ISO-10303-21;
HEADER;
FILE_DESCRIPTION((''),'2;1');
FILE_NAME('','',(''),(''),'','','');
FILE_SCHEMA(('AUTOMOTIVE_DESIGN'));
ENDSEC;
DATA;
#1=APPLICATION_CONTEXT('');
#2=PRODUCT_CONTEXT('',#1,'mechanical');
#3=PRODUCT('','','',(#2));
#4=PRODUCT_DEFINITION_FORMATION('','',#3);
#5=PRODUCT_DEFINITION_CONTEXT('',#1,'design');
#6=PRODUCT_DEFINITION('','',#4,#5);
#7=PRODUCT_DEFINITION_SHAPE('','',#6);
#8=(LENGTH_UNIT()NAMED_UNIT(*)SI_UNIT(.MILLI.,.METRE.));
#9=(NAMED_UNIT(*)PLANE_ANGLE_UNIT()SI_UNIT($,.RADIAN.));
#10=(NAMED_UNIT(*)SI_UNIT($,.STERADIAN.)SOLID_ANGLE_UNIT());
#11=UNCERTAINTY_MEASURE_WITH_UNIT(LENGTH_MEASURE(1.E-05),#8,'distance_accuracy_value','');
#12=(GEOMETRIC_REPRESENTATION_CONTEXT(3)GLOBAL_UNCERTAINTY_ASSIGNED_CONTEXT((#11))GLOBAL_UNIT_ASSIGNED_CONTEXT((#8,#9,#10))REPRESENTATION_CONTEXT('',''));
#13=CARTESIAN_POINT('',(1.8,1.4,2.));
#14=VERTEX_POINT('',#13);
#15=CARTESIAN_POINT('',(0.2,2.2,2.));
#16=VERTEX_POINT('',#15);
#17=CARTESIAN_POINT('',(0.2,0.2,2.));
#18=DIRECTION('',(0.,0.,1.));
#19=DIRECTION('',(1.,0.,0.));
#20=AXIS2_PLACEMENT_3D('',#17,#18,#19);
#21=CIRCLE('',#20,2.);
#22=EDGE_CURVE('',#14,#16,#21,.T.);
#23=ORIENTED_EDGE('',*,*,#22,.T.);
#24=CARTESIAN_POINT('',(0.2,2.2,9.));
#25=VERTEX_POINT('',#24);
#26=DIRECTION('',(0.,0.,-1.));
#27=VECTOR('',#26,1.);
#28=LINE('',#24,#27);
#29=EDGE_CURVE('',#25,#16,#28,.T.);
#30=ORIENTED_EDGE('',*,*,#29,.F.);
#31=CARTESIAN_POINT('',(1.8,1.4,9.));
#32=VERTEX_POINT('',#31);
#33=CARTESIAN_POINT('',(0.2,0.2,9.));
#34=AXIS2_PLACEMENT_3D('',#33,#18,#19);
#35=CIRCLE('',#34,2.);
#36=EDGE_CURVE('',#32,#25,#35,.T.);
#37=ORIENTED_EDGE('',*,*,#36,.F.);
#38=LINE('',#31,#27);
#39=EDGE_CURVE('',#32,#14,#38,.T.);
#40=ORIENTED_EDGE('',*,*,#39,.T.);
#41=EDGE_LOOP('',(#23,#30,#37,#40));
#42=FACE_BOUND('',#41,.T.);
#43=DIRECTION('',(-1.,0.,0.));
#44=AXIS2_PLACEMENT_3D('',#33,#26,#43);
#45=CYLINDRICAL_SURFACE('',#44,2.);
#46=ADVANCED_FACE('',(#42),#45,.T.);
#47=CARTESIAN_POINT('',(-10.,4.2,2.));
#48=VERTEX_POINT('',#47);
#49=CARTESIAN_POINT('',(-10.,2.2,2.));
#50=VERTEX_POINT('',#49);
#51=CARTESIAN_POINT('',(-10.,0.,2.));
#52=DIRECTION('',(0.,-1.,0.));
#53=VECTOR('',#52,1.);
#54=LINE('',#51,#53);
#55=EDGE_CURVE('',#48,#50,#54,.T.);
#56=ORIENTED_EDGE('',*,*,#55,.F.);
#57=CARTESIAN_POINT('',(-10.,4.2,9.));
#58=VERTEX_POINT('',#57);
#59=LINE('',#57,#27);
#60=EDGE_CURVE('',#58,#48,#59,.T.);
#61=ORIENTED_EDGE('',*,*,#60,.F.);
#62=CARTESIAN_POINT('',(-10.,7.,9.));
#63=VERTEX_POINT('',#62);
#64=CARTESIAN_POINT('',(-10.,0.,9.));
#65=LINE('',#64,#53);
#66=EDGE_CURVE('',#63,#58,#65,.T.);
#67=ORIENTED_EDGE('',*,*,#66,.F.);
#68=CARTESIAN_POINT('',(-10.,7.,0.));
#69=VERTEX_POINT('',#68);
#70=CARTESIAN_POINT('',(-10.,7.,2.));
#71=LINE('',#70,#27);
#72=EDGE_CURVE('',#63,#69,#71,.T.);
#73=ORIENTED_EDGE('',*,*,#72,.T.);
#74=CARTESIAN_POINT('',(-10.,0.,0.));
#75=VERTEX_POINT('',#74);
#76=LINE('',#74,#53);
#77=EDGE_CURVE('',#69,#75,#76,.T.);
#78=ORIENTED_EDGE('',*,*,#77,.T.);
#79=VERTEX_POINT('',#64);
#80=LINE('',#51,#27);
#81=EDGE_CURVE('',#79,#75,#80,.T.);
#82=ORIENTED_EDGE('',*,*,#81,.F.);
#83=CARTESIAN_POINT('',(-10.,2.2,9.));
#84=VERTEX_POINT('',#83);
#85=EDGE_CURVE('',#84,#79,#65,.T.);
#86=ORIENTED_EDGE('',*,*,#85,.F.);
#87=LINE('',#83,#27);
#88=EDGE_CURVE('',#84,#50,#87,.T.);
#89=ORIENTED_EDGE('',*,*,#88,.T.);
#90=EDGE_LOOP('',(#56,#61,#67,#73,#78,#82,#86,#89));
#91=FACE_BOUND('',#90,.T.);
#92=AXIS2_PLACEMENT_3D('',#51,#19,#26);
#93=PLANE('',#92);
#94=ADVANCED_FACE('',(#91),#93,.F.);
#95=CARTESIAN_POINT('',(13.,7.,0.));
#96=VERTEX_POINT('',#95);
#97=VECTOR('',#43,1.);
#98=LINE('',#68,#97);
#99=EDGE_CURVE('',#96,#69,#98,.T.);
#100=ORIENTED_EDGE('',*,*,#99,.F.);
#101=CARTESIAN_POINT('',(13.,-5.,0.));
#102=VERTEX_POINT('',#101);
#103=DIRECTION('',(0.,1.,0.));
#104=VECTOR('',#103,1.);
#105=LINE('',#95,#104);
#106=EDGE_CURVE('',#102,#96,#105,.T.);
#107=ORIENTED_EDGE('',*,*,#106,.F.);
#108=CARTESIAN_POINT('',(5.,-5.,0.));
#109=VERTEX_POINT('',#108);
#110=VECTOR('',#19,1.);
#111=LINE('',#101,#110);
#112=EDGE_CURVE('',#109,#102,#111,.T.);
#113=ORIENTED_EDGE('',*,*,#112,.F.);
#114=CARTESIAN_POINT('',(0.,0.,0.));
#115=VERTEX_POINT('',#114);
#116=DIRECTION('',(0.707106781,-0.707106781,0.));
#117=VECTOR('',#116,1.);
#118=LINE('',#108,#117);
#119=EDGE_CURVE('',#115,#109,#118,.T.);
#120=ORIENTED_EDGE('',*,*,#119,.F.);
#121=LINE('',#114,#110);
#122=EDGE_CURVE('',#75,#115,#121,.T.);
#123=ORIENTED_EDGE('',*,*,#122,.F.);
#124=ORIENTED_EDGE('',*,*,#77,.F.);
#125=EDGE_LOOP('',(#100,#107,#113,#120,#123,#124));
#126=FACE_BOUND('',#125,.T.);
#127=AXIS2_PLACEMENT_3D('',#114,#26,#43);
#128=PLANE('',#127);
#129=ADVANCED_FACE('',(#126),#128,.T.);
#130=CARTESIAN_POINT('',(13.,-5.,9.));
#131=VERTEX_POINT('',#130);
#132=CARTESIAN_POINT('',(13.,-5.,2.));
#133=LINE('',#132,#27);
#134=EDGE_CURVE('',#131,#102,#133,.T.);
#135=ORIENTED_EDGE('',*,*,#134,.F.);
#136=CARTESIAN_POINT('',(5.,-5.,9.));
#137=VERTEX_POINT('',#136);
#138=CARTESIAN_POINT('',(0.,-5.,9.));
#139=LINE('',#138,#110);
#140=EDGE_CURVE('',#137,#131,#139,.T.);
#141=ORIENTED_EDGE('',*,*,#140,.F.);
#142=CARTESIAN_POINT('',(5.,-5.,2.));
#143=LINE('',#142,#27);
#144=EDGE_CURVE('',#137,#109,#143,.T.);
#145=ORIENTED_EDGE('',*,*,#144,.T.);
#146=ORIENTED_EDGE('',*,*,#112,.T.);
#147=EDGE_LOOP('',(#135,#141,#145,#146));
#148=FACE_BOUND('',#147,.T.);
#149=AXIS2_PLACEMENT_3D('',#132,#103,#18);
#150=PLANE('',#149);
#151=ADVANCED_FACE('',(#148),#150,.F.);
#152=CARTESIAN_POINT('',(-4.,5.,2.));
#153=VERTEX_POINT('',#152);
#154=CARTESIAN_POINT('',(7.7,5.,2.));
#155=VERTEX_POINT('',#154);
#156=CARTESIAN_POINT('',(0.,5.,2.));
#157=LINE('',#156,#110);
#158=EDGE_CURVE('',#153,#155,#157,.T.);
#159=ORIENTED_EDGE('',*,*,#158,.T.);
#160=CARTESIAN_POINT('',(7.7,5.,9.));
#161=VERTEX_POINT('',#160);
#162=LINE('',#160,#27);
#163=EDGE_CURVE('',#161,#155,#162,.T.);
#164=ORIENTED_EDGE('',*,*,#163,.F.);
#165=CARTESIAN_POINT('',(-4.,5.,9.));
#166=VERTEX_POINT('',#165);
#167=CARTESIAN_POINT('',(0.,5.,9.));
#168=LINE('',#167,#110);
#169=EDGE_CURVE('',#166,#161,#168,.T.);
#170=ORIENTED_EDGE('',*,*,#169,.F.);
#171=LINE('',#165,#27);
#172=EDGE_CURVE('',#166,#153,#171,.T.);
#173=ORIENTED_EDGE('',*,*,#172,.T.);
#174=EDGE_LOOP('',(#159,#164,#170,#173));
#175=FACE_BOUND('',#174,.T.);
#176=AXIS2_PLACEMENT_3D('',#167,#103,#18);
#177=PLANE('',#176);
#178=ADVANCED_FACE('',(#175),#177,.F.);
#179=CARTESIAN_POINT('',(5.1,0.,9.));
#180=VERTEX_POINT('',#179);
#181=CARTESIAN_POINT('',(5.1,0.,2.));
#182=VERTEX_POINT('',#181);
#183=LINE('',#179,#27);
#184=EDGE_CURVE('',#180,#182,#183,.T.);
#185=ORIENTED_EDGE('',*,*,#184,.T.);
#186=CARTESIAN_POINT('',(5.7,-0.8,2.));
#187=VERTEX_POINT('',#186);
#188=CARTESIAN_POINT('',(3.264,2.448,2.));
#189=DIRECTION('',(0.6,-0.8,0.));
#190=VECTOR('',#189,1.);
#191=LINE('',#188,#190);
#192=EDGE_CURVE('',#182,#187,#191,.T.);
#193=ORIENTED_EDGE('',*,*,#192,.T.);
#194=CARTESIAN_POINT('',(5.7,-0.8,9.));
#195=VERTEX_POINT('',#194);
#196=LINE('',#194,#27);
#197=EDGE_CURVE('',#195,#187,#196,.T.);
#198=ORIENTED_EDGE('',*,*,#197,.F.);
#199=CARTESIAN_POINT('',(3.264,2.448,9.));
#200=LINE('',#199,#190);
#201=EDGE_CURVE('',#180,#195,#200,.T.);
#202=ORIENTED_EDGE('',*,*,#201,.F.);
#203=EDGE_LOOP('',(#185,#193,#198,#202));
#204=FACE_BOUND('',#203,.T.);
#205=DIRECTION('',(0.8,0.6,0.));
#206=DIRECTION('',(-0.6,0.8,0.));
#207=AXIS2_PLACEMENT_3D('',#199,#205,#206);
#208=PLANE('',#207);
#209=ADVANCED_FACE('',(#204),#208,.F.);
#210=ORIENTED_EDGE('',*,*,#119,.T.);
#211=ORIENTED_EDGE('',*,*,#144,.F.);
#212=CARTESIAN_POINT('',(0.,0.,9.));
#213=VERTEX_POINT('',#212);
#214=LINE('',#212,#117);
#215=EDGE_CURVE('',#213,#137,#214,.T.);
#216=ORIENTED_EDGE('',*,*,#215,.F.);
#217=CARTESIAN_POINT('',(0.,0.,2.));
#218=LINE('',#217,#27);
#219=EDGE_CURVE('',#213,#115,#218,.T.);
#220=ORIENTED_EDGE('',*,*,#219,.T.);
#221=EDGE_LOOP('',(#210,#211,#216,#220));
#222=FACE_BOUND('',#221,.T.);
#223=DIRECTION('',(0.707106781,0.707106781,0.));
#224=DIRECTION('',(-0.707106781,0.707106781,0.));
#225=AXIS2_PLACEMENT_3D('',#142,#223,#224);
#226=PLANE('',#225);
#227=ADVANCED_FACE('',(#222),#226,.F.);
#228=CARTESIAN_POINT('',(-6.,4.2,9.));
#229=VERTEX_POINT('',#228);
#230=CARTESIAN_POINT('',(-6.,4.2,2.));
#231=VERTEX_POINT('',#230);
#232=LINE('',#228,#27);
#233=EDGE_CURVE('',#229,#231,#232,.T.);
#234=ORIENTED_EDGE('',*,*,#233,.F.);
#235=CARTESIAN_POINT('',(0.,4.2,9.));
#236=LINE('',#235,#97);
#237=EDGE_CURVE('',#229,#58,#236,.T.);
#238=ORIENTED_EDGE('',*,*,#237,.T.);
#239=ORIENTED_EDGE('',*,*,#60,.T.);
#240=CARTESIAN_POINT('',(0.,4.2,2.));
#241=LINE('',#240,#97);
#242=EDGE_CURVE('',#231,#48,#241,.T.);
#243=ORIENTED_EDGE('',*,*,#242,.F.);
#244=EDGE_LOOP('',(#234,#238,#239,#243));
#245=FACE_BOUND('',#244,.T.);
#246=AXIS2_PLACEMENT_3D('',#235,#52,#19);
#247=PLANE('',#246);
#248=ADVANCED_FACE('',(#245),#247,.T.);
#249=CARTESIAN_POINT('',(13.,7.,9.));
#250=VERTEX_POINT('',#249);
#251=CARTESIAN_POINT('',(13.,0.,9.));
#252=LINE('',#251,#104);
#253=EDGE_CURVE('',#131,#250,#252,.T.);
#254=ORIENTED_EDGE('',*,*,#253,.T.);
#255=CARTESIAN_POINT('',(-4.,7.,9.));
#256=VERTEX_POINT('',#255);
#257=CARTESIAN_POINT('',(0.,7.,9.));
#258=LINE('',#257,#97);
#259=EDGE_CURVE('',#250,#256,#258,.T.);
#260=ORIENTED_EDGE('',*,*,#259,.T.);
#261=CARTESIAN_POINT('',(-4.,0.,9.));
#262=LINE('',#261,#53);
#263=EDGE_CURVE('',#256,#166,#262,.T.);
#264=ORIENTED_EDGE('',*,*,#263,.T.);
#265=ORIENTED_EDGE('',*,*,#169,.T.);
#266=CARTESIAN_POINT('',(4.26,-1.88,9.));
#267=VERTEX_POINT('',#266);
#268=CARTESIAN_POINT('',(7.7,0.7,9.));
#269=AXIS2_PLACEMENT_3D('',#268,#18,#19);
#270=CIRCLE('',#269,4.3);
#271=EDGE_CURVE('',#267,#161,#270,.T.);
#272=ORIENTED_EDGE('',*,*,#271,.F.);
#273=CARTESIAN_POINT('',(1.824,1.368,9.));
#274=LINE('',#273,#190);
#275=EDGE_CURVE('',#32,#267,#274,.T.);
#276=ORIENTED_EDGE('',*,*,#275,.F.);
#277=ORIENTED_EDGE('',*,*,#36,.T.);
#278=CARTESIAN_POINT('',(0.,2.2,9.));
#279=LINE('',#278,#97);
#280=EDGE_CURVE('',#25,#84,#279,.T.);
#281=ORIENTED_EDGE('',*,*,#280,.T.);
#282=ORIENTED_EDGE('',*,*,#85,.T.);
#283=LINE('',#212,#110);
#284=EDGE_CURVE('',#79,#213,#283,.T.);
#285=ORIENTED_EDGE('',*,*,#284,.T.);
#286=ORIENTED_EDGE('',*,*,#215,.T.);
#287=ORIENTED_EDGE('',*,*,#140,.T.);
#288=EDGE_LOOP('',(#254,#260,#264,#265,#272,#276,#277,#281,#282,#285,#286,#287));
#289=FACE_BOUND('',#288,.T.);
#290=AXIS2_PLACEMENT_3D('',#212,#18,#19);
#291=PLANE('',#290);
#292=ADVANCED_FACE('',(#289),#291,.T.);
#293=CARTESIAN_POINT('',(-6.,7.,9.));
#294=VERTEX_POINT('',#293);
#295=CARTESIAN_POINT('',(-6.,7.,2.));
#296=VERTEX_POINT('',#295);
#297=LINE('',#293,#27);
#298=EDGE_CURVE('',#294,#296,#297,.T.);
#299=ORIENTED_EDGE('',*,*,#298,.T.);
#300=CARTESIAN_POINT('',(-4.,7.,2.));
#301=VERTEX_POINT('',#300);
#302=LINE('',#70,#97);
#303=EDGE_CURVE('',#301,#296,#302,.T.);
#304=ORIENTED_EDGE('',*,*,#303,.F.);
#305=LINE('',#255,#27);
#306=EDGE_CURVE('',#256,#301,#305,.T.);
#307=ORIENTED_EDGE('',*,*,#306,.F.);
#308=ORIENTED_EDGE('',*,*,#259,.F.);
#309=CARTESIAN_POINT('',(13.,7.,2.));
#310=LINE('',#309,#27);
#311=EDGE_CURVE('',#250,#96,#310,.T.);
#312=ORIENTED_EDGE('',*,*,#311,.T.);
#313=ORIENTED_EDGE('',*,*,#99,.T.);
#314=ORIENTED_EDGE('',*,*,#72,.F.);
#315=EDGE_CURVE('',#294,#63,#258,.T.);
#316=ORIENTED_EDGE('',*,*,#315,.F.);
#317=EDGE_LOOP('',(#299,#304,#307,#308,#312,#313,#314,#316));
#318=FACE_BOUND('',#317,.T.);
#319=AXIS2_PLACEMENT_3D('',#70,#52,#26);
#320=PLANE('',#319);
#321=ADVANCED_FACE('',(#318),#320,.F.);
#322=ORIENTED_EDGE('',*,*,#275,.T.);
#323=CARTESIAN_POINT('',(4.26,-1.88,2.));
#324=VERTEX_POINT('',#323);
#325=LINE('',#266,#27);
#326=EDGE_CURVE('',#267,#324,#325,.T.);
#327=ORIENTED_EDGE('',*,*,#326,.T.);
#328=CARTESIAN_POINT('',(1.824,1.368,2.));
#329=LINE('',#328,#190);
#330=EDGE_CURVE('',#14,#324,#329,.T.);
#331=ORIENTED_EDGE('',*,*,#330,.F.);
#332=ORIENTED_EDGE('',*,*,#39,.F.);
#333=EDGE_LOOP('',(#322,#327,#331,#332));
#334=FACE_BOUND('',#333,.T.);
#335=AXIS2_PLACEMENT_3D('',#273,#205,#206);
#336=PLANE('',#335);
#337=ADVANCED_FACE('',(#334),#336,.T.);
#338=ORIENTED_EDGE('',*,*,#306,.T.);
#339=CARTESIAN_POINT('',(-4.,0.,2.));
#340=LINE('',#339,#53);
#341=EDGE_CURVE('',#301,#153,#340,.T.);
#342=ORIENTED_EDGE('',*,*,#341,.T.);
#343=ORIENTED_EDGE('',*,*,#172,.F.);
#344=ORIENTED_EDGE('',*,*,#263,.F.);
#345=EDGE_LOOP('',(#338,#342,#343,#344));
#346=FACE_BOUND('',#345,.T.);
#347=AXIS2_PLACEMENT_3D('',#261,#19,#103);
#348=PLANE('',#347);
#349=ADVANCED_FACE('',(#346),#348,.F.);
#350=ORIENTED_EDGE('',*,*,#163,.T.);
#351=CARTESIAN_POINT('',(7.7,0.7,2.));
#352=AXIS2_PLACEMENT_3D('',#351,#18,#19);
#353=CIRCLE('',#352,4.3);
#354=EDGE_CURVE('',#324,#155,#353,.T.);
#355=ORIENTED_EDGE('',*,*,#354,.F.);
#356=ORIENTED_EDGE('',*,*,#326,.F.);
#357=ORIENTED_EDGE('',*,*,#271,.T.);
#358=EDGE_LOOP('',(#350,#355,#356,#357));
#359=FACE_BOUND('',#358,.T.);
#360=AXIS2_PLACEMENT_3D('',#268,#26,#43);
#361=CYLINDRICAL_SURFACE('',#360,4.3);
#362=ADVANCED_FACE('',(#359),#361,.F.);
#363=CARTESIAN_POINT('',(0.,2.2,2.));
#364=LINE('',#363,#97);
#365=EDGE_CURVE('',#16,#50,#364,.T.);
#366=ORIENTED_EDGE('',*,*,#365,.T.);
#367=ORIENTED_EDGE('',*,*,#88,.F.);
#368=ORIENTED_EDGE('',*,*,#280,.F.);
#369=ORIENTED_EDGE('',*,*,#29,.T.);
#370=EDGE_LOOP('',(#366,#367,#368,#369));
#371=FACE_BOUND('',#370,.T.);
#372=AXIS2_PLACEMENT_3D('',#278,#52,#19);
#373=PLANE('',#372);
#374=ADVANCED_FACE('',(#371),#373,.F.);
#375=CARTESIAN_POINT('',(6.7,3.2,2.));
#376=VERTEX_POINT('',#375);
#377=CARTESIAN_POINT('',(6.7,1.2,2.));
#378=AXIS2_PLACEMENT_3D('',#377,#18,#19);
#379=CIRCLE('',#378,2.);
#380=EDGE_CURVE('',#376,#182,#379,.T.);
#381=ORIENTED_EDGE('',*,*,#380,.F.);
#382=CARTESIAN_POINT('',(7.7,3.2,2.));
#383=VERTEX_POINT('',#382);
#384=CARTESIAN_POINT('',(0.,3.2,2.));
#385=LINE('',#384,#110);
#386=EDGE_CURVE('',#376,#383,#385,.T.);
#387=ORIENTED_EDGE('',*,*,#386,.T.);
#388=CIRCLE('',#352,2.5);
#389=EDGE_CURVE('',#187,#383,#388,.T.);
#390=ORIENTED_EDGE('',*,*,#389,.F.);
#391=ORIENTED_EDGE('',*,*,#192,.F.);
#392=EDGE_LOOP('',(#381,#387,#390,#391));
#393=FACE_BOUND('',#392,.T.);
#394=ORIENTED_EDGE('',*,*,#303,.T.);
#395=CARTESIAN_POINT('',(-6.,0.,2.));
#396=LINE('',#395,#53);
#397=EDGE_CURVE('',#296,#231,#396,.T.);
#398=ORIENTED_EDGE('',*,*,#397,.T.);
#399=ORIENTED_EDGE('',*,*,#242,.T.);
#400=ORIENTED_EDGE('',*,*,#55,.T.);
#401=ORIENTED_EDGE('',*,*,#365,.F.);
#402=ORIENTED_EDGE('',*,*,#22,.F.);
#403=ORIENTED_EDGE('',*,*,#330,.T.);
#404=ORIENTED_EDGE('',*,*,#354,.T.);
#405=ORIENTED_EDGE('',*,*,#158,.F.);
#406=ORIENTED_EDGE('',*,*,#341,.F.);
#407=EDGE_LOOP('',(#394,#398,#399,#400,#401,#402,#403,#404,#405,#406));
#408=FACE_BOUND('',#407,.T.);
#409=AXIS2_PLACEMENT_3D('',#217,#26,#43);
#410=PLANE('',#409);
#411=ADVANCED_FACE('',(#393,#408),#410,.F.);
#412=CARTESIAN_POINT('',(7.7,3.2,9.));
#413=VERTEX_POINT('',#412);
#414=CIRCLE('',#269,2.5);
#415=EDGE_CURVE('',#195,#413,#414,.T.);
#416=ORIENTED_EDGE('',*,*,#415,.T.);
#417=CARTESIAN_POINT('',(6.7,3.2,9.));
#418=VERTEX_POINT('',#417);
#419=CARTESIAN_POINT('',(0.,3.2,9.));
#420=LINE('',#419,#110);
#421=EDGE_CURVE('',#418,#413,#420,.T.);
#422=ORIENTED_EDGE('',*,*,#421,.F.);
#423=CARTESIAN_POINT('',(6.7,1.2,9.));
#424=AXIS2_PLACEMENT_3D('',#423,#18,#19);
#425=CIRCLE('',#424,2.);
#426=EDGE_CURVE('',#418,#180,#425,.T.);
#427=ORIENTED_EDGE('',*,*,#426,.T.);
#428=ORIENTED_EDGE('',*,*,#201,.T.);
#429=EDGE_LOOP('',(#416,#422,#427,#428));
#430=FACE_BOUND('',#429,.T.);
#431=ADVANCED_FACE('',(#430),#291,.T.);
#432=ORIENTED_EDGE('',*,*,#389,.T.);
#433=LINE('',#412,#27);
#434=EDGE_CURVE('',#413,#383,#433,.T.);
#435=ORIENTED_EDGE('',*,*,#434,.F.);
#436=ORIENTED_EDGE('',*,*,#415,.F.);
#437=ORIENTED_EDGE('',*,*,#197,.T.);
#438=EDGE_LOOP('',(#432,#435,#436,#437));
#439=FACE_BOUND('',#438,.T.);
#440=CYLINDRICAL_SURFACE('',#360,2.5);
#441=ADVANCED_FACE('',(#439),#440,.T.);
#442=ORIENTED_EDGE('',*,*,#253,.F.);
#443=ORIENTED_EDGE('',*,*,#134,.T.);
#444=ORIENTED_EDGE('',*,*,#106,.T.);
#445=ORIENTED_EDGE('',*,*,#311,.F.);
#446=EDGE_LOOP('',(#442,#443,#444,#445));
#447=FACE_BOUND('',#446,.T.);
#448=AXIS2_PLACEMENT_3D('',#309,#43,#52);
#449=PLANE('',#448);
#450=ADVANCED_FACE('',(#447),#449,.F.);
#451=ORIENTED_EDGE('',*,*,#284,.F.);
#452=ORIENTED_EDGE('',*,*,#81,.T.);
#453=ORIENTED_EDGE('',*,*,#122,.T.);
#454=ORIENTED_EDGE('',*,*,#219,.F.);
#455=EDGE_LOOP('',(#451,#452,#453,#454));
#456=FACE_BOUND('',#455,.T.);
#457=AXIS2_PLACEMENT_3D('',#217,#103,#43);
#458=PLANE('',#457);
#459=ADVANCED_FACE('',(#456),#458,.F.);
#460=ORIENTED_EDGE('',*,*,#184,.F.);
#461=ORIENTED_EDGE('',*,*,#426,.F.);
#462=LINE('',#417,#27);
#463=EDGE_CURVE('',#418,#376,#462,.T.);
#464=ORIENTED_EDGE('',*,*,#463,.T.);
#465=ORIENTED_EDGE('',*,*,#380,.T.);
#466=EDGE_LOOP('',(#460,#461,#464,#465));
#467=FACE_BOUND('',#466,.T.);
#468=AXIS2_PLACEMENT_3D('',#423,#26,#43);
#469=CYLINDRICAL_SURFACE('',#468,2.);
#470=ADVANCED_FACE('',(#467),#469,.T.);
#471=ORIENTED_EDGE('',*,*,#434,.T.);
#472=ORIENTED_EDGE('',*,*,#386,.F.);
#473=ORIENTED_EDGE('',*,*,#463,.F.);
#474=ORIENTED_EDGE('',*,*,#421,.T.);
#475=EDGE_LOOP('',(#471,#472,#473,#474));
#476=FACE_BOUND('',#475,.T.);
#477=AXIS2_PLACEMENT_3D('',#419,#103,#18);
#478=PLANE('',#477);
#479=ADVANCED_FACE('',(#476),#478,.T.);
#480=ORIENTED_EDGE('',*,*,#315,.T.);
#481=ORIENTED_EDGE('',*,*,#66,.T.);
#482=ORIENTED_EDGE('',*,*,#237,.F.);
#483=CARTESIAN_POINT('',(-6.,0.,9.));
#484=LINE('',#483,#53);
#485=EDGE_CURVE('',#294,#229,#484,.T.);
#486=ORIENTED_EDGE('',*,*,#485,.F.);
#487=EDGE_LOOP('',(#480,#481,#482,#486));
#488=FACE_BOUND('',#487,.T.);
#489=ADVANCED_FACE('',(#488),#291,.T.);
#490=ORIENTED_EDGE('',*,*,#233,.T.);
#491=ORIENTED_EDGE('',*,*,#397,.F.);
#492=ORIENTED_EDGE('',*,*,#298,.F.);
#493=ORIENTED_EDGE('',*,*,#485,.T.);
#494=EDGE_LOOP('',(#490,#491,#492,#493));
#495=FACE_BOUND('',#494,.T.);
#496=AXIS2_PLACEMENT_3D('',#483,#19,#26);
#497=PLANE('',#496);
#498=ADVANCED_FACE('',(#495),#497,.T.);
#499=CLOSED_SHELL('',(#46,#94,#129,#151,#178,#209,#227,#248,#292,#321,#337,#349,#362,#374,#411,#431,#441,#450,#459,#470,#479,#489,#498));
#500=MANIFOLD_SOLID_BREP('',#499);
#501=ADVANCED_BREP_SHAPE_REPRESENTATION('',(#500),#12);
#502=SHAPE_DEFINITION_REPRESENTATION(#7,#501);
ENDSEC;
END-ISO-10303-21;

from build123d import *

# Parameters (mm, degrees)
RESSALTO_EXTRUS_O1_DEPTH = 2
ESBO_O2_W                = 4
ESBO_O2_H                = 2.8
RESSALTO_EXTRUS_O2_DEPTH = 7


with BuildPart() as part:
    # Esboço1 → Ressalto-extrusão1 (new body)
    with BuildSketch(Plane.XY):
        Polygon((-10, 0), (-10, 7), (13, 7), (13, -5), (5, -5), (0, 0), align=None)
    extrude(amount=RESSALTO_EXTRUS_O1_DEPTH)

    # Esboço2 → Ressalto-extrusão2 (add)
    with BuildSketch(Plane.XY.offset(2)):
        with BuildLine():
            Line((13, 7), (-4, 7))
            Line((-4, 7), (-4, 5))
            Line((-4, 5), (7.7, 5))
            ThreePointArc((7.7, 5), (11.546036921, -1.223018461), (4.26, -1.88))
            Line((4.26, -1.88), (1.8, 1.4))
            ThreePointArc((1.8, 1.4), (1.094427191, 1.988854382), (0.2, 2.2))
            Line((0.2, 2.2), (-10, 2.2))
            Line((-10, 2.2), (-10, 0))
            Line((-10, 0), (0, 0))
            Line((0, 0), (5, -5))
            Line((5, -5), (13, -5))
            Line((13, -5), (13, 7))
        make_face()
        with Locations((-8, 5.6)):
            Rectangle(ESBO_O2_W, ESBO_O2_H)
        with BuildLine():
            Line((7.7, 3.2), (6.7, 3.2))
            ThreePointArc((6.7, 3.2), (4.911145618, 2.094427191), (5.1, 0))
            Line((5.1, 0), (5.7, -0.8))
            ThreePointArc((5.7, -0.8), (9.936067977, -0.418033989), (7.7, 3.2))
        make_face()
    extrude(amount=RESSALTO_EXTRUS_O2_DEPTH)


solid = part.part
